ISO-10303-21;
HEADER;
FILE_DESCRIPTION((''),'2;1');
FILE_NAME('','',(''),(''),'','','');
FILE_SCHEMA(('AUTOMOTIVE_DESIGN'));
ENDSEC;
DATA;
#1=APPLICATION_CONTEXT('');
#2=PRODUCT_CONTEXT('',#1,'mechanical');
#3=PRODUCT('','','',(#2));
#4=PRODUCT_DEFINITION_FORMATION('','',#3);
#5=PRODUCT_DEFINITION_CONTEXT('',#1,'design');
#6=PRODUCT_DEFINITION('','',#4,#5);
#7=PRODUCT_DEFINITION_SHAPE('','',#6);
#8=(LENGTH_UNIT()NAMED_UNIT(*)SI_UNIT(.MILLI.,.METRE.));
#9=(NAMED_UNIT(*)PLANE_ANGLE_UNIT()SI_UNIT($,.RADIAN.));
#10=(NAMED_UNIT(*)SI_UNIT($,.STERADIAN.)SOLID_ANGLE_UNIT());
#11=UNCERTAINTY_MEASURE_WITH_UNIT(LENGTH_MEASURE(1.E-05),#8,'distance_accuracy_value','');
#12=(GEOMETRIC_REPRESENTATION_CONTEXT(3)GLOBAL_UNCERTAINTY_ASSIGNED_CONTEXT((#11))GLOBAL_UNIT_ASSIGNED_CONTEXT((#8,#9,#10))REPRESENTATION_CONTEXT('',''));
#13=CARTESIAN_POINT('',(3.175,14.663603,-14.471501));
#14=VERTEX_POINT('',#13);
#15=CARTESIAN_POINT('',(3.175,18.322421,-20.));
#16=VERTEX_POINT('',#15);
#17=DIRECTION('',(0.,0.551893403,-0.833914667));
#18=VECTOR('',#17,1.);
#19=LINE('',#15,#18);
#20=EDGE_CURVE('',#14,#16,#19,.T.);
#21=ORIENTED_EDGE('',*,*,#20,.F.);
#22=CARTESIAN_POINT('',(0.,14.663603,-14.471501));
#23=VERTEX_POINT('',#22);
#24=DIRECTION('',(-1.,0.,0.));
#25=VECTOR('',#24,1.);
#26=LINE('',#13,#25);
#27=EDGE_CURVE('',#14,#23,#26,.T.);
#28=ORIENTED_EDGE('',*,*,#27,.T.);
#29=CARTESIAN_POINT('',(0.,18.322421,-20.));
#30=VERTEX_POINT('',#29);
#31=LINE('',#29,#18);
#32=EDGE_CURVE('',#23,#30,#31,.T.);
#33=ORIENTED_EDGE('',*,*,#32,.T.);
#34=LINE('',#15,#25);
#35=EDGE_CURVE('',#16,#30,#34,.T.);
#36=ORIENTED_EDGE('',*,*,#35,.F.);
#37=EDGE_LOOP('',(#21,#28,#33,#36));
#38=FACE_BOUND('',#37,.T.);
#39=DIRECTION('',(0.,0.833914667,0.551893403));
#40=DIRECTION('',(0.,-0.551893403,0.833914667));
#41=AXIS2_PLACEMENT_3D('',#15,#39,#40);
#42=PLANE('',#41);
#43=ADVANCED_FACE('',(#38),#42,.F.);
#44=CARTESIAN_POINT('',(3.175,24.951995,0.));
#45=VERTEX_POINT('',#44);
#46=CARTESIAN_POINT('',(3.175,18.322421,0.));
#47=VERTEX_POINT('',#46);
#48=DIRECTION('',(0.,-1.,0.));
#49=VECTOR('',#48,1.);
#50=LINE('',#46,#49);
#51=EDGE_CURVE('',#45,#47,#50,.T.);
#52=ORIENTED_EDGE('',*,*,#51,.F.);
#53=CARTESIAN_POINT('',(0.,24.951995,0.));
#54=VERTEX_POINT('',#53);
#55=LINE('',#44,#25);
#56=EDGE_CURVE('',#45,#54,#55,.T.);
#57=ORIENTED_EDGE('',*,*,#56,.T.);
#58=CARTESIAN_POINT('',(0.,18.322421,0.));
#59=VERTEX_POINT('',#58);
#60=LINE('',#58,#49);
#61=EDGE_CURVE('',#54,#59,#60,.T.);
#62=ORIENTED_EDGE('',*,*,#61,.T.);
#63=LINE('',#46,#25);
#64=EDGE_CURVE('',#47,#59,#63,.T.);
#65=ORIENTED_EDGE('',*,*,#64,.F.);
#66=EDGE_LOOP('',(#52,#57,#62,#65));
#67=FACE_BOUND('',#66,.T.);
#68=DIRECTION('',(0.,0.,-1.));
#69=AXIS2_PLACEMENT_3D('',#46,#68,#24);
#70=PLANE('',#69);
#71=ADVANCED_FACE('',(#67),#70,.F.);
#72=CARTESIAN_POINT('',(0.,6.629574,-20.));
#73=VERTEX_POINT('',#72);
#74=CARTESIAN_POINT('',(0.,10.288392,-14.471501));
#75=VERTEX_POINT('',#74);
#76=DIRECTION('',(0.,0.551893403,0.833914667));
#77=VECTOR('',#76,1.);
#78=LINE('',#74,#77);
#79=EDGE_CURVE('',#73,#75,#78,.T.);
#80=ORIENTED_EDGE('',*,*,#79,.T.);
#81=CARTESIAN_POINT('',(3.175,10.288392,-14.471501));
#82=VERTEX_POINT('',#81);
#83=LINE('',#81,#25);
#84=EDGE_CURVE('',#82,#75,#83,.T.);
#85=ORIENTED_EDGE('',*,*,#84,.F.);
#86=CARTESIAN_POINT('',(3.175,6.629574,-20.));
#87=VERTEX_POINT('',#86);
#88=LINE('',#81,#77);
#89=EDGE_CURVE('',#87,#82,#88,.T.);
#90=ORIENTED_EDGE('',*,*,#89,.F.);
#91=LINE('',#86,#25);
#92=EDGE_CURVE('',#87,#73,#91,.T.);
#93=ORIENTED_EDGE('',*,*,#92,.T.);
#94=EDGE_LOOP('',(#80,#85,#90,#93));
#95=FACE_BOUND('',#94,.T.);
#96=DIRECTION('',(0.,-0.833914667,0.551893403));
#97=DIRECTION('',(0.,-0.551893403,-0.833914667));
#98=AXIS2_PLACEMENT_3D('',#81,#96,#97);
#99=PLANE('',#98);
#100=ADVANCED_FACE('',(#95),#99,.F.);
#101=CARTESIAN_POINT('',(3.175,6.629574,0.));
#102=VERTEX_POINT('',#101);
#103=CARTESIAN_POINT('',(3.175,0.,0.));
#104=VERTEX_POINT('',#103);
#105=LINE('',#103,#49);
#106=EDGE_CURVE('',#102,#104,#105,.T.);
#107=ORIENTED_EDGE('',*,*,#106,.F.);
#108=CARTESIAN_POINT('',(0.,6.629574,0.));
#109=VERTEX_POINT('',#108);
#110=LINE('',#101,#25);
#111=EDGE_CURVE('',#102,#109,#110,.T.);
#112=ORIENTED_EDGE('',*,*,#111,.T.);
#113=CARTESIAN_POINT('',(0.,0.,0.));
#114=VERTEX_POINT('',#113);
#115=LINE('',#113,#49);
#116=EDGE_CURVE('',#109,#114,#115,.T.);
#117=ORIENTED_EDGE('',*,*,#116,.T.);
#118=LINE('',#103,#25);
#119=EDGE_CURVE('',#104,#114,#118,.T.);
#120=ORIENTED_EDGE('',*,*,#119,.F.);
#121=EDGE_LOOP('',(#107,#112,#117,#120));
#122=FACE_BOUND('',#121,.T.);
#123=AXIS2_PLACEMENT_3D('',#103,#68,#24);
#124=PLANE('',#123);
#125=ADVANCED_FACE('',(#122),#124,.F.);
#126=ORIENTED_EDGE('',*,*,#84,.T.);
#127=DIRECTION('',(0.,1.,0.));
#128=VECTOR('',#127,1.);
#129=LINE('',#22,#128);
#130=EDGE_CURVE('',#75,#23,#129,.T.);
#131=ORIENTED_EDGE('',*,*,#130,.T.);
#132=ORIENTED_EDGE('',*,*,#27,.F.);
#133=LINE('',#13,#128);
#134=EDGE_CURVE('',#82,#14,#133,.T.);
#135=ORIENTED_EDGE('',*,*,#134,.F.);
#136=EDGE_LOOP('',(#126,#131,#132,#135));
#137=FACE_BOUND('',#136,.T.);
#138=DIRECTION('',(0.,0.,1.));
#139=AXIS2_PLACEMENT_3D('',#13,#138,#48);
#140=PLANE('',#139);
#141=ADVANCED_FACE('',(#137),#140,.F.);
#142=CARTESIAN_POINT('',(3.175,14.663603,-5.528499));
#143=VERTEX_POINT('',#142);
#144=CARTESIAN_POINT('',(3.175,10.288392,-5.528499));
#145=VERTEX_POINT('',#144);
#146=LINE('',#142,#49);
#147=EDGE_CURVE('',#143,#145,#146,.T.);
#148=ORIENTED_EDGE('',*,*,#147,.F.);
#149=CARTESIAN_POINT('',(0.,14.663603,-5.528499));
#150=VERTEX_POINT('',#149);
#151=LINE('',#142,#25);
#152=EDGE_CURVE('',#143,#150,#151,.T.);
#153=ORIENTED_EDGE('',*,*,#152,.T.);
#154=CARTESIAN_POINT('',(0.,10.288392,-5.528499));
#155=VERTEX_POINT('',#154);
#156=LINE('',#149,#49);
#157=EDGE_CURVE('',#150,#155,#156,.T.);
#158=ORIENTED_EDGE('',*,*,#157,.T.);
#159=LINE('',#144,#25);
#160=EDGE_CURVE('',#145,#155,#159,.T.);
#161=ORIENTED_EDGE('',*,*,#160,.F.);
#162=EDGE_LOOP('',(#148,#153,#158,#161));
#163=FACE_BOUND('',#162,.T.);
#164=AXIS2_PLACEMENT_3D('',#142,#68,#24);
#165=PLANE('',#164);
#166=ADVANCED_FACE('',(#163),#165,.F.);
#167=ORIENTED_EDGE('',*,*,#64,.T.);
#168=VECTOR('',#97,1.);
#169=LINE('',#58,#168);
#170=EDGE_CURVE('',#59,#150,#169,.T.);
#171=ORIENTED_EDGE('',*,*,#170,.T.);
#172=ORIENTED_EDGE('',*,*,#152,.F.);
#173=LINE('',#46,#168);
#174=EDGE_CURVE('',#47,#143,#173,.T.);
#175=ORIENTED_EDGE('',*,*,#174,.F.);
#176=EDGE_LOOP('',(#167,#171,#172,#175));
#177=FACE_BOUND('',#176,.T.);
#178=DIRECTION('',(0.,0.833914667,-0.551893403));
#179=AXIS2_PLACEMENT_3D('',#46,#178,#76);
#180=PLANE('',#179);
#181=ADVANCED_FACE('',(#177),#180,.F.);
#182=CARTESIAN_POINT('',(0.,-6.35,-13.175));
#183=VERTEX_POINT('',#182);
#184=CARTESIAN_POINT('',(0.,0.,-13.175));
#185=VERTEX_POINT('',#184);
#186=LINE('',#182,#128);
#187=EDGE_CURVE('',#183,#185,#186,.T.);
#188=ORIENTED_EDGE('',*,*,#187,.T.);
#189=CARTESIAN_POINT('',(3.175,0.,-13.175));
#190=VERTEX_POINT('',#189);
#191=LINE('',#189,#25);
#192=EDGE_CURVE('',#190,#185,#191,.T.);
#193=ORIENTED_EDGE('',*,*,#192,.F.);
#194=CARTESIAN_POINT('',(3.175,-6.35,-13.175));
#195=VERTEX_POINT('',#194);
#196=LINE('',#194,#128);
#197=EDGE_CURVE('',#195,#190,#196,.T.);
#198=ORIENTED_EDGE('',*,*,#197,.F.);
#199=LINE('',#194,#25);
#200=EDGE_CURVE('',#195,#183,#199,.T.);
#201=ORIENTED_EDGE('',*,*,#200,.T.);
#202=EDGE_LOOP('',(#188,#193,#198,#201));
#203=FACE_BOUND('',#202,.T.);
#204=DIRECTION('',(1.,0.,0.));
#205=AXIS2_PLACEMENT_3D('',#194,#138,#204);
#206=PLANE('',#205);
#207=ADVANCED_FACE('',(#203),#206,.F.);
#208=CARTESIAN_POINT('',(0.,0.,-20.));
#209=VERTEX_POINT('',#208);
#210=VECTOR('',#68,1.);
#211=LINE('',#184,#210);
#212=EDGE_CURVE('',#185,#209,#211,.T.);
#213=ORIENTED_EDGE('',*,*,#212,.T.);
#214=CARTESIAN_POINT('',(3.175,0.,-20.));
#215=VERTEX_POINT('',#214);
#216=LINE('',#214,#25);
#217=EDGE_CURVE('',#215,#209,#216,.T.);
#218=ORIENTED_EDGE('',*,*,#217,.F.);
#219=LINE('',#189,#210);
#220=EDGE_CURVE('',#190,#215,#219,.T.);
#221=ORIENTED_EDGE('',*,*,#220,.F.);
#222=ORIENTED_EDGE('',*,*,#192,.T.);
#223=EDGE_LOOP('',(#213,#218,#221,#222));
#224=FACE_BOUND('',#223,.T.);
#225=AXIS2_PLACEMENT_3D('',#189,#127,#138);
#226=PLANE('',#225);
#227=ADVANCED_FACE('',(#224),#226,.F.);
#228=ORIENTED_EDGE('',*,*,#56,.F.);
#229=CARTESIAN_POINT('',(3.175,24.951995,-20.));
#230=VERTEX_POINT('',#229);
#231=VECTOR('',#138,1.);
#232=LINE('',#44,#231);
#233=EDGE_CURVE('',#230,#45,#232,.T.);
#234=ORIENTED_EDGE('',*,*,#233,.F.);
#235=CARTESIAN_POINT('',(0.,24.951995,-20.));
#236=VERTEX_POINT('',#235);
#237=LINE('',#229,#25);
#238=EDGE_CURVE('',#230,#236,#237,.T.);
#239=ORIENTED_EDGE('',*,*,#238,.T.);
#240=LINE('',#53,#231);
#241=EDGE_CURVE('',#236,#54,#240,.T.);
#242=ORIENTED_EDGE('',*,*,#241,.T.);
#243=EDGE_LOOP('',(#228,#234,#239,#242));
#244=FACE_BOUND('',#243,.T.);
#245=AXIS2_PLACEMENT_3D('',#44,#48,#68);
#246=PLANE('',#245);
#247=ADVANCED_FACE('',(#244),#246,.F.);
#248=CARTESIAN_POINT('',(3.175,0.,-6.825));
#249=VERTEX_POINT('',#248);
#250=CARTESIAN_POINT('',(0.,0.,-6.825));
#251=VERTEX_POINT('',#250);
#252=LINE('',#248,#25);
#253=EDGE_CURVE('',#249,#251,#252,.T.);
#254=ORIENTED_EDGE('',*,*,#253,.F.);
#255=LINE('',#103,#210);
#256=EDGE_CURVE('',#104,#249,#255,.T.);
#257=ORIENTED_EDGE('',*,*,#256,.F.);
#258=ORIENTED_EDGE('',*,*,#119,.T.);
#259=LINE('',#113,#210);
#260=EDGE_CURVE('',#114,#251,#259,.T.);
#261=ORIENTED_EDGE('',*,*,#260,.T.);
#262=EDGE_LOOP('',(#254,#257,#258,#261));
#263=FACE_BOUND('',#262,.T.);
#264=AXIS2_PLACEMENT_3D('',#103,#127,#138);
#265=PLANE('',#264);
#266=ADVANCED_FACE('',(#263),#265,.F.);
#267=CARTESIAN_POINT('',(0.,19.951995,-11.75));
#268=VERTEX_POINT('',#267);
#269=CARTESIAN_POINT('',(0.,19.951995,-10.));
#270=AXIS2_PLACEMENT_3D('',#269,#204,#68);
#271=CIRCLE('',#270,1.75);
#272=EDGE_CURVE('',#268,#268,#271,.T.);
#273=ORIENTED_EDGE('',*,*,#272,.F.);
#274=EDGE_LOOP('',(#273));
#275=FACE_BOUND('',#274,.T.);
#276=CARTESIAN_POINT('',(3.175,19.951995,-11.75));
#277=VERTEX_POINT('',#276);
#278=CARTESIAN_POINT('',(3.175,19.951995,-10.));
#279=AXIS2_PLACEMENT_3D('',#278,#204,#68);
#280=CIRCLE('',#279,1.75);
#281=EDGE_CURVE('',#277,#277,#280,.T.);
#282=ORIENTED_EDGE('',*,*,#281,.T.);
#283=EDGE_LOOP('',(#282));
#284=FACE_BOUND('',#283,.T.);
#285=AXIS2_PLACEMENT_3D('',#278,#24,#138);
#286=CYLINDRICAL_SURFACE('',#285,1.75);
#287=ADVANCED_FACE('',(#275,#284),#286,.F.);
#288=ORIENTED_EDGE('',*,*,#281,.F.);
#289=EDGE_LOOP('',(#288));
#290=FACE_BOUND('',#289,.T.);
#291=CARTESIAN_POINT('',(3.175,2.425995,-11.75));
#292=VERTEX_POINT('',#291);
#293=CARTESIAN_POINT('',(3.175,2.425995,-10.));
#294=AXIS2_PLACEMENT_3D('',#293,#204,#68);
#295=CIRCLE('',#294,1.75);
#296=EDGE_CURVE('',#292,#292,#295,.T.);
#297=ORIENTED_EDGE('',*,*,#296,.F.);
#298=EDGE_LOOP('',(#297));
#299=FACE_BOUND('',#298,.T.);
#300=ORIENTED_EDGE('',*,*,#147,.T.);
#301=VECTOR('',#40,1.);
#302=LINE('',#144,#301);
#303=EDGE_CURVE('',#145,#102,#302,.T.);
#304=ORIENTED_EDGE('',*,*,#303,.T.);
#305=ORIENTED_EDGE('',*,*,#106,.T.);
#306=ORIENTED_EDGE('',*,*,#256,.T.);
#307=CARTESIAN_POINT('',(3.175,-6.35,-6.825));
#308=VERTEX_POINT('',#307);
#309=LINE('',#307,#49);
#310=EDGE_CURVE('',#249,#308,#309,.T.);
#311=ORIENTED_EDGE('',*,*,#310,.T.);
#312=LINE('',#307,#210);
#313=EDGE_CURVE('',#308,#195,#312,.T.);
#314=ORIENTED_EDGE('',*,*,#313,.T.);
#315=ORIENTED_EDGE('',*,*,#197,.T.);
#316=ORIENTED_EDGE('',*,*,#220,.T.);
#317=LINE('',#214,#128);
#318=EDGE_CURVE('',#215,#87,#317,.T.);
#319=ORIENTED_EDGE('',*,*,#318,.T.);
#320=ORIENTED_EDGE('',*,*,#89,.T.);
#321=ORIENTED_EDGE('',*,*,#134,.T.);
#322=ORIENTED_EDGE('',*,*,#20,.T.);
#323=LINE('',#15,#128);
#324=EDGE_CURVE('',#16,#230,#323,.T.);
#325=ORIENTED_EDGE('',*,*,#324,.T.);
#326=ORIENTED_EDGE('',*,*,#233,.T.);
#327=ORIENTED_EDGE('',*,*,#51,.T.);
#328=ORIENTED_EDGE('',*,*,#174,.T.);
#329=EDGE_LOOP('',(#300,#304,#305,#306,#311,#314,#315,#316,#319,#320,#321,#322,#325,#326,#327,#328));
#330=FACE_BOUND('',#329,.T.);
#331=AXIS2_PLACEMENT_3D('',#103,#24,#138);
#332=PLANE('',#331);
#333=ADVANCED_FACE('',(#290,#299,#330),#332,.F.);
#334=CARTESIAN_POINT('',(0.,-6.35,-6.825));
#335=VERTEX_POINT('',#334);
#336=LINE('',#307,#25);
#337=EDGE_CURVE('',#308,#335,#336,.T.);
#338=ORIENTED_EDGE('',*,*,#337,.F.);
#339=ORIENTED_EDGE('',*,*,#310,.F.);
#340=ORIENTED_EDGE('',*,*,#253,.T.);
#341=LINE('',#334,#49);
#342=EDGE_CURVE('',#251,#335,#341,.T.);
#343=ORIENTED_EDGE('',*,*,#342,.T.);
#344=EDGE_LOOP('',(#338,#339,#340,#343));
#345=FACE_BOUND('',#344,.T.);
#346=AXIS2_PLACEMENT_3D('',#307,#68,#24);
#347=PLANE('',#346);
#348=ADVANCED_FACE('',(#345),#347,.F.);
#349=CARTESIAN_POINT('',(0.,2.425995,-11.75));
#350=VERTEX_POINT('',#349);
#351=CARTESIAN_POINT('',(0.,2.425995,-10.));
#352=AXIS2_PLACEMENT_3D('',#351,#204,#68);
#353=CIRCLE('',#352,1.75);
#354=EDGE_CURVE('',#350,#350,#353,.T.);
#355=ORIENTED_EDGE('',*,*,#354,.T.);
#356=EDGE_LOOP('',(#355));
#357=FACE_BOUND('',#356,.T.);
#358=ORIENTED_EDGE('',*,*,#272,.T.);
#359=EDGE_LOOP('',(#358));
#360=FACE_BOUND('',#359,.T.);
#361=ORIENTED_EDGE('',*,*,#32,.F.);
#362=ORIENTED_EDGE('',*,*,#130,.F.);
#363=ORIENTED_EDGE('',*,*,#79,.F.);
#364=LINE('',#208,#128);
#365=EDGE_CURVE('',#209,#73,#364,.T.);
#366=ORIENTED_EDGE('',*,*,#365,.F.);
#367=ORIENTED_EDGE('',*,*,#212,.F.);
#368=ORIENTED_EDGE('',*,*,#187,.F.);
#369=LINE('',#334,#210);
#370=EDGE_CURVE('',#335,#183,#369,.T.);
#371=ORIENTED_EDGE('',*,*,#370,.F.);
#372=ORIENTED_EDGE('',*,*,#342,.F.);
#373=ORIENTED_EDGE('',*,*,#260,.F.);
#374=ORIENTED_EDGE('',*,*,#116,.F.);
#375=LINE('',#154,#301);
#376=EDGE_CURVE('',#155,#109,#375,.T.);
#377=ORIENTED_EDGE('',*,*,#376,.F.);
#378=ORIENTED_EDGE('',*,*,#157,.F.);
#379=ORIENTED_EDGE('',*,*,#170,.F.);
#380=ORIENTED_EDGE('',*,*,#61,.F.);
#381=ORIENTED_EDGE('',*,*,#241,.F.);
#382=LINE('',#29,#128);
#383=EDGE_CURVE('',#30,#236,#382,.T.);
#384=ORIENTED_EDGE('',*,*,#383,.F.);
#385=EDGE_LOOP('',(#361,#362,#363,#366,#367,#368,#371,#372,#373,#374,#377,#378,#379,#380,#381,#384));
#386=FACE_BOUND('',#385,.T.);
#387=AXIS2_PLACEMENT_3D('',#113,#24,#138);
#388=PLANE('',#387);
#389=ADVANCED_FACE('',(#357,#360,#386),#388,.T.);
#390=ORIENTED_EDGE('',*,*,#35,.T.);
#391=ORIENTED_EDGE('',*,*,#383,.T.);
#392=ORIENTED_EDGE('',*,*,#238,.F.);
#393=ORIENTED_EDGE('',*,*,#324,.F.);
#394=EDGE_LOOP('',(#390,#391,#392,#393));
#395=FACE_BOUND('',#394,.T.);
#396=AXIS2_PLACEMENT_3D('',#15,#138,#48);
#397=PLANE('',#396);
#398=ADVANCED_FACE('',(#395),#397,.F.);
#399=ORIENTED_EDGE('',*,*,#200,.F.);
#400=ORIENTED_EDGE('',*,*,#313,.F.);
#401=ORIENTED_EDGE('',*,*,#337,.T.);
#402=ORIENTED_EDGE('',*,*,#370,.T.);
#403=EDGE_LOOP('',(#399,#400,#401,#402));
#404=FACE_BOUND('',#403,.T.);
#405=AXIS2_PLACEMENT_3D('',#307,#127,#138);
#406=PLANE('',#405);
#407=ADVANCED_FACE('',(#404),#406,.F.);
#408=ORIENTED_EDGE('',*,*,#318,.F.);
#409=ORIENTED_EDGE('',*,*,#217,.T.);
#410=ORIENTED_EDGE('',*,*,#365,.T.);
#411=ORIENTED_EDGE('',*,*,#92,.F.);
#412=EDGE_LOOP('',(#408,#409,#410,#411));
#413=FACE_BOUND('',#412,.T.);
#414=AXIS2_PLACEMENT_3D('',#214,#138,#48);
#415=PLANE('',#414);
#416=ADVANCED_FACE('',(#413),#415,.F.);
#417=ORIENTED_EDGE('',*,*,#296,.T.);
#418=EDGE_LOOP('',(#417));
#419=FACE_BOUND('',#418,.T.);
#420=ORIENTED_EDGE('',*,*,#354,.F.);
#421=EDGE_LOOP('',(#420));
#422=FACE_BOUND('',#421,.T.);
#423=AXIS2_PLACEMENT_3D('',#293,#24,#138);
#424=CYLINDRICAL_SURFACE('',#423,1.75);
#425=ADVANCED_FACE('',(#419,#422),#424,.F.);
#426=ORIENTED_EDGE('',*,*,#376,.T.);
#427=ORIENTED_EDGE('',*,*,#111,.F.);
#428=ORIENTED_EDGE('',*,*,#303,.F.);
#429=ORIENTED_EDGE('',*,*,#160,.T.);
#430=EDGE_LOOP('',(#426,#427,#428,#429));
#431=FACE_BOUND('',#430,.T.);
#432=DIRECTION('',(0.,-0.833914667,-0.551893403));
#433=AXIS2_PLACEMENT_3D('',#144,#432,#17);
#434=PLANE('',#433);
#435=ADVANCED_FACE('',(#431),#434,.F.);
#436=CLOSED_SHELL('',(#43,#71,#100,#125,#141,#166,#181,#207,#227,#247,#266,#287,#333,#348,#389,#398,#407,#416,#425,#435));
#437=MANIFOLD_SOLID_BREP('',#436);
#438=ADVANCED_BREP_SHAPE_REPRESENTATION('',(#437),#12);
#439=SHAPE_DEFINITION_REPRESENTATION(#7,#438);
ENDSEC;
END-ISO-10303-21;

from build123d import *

# Parameters (mm, degrees)
SKETCH1_R           = 1.75
BOSS_EXTRUDE1_DEPTH = 3.175


with BuildPart() as part:
    # Sketch1 → Boss-Extrude1 (new body)
    with BuildSketch(Plane(origin=(0, 0, 0), x_dir=(0, 0, -1), z_dir=(1, 0, 0))):
        Polygon((0, 0), (6.825, 0), (6.825, -6.35), (13.175, -6.35), (13.175, 0), (20, 0), (20, 6.629574014), (14.471500996, 10.288392178), (14.471500996, 14.663602622), (20, 18.322420786), (20, 24.9519948), (0, 24.9519948), (0, 18.322420786), (5.528499004, 14.663602622), (5.528499004, 10.288392178), (0, 6.629574014), align=None)
        with Locations((10, 19.9519948)):
            Circle(SKETCH1_R, mode=Mode.SUBTRACT)
        with Locations((10, 2.4259948)):
            Circle(SKETCH1_R, mode=Mode.SUBTRACT)
    extrude(amount=BOSS_EXTRUDE1_DEPTH)


solid = part.part
